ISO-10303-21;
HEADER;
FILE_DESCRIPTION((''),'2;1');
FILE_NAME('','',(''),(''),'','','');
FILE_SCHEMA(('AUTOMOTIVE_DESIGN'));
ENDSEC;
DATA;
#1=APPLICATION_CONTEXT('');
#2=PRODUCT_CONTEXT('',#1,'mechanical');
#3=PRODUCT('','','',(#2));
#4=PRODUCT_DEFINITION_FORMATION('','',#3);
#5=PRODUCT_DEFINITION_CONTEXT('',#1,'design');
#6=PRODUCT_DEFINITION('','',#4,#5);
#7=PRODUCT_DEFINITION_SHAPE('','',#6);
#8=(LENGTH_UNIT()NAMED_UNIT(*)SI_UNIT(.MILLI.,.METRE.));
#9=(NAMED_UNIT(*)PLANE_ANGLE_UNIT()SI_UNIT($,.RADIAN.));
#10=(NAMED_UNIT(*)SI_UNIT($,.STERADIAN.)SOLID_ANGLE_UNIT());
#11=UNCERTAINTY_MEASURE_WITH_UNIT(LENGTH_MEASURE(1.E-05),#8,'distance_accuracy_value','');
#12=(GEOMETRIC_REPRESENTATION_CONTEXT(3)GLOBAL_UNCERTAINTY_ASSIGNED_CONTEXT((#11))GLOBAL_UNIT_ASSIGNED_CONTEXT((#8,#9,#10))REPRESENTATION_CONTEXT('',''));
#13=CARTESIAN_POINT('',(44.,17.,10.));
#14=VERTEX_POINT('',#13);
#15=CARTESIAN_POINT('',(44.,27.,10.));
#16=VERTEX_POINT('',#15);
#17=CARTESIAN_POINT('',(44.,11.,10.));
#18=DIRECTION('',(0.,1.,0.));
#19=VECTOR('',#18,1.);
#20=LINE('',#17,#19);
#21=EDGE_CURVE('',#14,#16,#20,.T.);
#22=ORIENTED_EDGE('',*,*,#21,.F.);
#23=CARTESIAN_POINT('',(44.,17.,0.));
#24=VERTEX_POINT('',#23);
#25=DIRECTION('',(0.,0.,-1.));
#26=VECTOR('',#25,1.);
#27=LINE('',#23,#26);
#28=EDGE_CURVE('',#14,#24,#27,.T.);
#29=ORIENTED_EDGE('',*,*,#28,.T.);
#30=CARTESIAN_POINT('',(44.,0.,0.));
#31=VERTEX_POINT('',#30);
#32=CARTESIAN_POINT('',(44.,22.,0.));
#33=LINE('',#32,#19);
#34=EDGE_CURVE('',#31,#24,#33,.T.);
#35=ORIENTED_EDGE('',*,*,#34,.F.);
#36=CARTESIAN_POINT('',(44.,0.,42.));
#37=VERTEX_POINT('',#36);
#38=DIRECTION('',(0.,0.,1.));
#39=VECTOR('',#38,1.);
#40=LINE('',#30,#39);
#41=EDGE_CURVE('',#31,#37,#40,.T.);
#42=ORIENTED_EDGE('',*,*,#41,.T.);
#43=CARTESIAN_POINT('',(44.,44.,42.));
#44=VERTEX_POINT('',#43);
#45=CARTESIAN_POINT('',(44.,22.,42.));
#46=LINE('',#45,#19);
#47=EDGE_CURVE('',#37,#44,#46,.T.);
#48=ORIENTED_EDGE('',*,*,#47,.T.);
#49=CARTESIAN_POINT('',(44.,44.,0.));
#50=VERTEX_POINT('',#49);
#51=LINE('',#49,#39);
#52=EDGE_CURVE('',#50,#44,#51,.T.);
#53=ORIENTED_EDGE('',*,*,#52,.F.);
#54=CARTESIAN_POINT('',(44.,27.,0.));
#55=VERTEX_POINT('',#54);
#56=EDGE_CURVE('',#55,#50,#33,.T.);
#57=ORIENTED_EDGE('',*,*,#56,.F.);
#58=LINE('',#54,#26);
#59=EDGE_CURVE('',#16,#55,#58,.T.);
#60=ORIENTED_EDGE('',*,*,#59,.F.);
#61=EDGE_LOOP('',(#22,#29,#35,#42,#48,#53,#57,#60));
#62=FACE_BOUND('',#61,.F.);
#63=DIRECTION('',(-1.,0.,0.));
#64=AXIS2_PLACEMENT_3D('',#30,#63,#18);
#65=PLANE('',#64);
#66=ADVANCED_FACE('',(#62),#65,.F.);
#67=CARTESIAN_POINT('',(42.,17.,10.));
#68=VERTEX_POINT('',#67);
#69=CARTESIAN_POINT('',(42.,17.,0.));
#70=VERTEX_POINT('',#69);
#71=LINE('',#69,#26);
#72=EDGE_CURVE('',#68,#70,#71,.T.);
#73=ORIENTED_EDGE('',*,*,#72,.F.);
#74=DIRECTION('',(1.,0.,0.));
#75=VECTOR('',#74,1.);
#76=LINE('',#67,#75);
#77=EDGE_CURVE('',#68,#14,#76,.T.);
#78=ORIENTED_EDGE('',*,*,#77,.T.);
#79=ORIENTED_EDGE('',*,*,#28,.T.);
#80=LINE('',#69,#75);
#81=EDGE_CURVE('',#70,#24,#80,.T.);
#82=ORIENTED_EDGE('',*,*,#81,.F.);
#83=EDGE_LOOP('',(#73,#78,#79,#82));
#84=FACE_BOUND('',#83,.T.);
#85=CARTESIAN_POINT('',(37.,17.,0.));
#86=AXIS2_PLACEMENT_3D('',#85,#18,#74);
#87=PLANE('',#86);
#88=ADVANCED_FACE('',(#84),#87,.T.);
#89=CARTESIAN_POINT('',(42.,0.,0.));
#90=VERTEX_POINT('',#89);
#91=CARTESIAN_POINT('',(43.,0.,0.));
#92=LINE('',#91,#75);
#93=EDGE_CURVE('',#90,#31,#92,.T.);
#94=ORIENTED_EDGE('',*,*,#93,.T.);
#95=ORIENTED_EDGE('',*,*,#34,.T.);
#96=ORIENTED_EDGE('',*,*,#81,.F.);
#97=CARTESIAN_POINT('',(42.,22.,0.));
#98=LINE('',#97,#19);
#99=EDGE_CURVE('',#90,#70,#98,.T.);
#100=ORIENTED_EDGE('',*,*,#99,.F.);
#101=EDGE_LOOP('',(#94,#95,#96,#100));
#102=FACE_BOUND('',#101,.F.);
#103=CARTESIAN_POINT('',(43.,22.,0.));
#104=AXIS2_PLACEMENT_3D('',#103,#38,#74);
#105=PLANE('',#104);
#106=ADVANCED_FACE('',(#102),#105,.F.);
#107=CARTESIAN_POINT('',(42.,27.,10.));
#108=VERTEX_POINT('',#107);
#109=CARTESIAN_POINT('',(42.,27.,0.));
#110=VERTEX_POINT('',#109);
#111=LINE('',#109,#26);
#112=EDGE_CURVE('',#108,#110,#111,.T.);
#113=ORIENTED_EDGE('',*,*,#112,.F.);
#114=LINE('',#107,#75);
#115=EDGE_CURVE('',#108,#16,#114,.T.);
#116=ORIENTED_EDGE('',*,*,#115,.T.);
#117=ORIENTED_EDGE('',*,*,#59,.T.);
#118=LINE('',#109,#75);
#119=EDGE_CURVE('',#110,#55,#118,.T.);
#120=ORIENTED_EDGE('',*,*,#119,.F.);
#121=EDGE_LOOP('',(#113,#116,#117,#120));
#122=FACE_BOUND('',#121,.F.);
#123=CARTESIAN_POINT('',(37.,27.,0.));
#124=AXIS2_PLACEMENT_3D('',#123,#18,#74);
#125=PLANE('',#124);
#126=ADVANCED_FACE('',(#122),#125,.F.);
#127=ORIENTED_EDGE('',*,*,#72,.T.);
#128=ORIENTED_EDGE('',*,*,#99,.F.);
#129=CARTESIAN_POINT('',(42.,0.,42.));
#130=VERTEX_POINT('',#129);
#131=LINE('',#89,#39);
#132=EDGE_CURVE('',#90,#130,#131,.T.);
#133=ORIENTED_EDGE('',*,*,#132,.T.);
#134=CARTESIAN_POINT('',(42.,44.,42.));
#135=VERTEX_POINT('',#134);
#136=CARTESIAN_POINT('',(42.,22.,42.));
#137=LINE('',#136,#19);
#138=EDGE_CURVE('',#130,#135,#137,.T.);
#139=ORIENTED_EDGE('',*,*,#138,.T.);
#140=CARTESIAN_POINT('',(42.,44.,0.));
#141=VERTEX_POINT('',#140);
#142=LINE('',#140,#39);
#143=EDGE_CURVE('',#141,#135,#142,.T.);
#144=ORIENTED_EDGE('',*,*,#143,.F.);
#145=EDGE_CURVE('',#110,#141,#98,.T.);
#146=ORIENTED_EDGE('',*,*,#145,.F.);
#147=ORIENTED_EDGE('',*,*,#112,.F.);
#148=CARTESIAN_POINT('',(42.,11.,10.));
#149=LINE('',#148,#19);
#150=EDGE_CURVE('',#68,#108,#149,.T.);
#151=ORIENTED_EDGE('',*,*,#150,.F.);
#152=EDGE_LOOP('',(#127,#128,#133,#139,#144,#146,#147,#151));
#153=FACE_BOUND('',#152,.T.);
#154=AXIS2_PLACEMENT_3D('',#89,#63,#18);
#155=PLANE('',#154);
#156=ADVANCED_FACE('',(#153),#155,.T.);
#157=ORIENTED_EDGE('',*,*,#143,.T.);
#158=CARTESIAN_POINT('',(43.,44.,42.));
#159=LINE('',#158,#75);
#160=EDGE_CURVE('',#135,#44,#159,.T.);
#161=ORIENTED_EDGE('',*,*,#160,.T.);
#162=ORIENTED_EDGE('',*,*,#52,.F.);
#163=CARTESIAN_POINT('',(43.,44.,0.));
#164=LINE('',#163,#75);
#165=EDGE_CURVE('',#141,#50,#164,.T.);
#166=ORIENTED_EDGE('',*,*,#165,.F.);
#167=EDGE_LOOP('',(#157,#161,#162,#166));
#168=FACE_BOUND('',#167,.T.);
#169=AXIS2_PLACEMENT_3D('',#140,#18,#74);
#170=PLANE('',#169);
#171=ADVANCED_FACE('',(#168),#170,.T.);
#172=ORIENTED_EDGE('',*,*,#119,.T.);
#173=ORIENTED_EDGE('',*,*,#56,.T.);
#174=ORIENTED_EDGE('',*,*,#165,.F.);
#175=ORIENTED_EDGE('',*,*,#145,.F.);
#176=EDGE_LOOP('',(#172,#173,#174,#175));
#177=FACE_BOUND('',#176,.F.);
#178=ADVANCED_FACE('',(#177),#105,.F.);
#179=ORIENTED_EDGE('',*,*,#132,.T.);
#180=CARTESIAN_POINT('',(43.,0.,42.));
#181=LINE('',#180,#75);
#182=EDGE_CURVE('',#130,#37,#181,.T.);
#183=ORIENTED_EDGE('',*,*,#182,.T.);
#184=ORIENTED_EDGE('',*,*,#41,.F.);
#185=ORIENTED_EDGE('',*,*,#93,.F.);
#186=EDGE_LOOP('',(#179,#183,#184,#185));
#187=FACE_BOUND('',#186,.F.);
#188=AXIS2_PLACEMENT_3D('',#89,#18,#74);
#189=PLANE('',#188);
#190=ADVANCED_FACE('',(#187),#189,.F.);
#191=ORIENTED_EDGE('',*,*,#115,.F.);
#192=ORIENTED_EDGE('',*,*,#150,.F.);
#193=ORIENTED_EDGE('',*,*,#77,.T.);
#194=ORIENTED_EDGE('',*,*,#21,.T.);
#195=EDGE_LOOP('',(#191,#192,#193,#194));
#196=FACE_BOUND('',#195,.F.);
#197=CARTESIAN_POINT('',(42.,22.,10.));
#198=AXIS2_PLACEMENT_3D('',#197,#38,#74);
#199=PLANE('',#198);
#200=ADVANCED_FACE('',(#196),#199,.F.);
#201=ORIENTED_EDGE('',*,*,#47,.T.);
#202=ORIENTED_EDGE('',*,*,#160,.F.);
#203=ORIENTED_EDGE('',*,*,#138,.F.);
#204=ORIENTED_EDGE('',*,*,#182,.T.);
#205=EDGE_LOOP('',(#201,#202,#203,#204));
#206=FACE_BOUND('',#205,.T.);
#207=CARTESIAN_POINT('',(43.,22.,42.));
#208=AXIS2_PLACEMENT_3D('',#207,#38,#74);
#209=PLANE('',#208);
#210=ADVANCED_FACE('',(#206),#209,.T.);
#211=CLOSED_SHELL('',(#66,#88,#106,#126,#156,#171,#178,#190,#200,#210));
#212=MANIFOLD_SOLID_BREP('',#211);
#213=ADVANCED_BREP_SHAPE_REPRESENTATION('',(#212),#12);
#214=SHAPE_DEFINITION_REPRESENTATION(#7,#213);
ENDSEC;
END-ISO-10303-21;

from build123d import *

# Parameters (mm, degrees)
BOX007_W     = 10
BOX007_H     = 10
BOX007_DEPTH = 10
BOX006_W     = 2
BOX006_H     = 44
BOX006_DEPTH = 42


with BuildPart() as cubo007:
    # Box007 → Box007 (new body)
    with BuildSketch(Plane(origin=(37, 17, 0), x_dir=(1, 0, 0), z_dir=(0, 0, 1))):
        with Locations((5, 5)):
            Rectangle(BOX007_W, BOX007_H)
    extrude(amount=BOX007_DEPTH)


with BuildPart() as cut:
    # Box006 → Box006 (new body)
    with BuildSketch(Plane(origin=(42, 0, 0), x_dir=(1, 0, 0), z_dir=(0, 0, 1))):
        with Locations((1, 22)):
            Rectangle(BOX006_W, BOX006_H)
    extrude(amount=BOX006_DEPTH)

    # Cut: cut Cubo007
    add(cubo007.part, mode=Mode.SUBTRACT)


solid = cut.part
